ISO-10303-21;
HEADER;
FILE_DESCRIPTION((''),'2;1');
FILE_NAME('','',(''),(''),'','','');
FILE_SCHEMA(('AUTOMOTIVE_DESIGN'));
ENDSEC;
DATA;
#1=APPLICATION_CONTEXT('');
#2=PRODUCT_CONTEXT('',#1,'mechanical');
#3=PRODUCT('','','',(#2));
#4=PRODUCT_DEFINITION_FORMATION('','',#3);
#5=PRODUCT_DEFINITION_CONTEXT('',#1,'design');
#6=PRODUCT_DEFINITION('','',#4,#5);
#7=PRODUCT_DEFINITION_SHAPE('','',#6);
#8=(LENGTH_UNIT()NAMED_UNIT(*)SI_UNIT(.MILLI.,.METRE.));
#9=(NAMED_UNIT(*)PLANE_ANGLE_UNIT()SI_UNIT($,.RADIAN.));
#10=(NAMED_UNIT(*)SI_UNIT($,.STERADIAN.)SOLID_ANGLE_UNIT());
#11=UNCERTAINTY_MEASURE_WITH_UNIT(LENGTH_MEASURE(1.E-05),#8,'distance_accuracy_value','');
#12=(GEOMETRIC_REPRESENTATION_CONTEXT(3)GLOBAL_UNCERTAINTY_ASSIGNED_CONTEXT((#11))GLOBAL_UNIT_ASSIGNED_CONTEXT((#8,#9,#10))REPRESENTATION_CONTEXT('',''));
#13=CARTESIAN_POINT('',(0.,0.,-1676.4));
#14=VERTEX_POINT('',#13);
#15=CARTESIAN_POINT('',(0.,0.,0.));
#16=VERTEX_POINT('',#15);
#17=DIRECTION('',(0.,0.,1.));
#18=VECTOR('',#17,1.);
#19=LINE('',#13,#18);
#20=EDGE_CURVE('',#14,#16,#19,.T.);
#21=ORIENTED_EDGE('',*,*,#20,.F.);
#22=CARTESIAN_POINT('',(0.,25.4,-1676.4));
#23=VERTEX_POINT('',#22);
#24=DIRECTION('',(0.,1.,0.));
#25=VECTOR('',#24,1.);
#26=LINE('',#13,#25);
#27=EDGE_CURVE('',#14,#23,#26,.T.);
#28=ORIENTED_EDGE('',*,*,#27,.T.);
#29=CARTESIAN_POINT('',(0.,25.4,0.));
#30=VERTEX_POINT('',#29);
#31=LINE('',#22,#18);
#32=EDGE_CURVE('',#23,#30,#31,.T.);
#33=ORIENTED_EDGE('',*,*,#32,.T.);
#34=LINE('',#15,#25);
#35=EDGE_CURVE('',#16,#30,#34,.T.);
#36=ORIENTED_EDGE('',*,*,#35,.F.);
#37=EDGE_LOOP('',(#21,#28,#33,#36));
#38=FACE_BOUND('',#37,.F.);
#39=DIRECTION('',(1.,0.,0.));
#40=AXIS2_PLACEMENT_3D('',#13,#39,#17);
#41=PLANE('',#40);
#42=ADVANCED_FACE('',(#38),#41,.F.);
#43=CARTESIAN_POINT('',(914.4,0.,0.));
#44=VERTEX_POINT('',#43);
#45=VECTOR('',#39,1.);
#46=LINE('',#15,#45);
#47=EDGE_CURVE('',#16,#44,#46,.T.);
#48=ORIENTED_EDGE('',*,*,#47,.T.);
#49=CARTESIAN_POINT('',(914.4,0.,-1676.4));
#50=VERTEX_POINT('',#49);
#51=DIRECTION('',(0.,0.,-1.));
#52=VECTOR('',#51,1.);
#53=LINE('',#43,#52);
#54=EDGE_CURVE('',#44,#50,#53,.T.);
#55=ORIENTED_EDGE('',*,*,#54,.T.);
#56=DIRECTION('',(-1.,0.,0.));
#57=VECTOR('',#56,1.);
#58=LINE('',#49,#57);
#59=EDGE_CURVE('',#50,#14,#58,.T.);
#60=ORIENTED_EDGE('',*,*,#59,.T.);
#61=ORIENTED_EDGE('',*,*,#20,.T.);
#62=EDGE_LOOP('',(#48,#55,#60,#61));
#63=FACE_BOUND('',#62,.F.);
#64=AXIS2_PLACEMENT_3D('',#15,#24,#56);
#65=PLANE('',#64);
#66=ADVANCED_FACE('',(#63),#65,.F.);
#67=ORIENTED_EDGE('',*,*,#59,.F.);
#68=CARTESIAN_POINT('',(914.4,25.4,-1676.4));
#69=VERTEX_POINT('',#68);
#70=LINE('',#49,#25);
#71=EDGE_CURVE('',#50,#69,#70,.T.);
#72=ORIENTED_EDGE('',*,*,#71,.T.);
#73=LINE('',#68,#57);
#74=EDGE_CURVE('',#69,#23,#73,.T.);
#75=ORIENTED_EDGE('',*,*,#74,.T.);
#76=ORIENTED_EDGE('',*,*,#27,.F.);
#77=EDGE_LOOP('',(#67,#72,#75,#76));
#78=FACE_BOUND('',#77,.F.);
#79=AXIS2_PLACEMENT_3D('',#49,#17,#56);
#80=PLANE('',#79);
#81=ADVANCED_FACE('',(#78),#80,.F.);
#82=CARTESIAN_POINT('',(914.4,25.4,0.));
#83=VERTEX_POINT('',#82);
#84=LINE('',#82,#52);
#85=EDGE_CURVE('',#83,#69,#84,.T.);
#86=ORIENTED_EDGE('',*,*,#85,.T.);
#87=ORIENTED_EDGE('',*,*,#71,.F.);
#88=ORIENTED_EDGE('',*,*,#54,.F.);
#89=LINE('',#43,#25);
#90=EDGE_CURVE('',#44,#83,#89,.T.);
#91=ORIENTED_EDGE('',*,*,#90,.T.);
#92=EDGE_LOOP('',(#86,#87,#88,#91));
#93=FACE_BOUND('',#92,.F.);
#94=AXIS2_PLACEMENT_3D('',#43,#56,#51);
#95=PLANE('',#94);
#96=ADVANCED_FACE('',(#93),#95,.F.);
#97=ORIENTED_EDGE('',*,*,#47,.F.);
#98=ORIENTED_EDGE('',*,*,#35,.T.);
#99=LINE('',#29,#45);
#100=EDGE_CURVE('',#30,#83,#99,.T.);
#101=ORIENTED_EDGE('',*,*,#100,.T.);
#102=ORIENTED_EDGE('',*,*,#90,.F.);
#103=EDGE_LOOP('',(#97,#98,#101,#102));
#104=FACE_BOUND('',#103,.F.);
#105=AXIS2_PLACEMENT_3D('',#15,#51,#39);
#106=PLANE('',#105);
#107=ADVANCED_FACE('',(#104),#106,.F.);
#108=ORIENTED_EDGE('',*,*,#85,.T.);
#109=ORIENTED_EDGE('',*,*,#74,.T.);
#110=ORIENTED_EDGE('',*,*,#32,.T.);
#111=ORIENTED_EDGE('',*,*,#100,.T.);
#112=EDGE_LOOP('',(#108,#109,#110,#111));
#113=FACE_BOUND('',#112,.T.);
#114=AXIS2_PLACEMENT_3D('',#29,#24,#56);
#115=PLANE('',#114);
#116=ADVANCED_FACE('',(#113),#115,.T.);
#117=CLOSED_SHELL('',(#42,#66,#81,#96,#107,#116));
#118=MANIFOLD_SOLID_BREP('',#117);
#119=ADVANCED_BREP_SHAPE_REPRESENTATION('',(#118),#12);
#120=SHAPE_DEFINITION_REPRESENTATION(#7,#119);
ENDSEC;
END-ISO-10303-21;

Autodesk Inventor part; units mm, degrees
ref_plane "YZ Plane" through (0, 0, 0) normal (1, 0, 0) x (0, 1, 0)
ref_plane "XZ Plane" through (0, 0, 0) normal (0, 1, 0) x (-1, 0, 0)
ref_plane "XY Plane" through (0, 0, 0) normal (0, 0, 1) x (1, 0, 0)
sketch "Sketch1" plane through (0, 0, 0) normal (0, 1, 0) x (-1, 0, 0)
  line L0 (0, 0) -> (-914.4, 0)
  line L1 (-914.4, 0) -> (-914.4, -1676.4)
  line L2 (-914.4, -1676.4) -> (0, -1676.4)
  line L3 (0, -1676.4) -> (0, 0)
  dimension "d0" = 914.4
  dimension "d1" = 1676.4
extrude "Extrusion1" add sketch "Sketch1" along normal blind 25.4
properties part number "rev1 base floor"
